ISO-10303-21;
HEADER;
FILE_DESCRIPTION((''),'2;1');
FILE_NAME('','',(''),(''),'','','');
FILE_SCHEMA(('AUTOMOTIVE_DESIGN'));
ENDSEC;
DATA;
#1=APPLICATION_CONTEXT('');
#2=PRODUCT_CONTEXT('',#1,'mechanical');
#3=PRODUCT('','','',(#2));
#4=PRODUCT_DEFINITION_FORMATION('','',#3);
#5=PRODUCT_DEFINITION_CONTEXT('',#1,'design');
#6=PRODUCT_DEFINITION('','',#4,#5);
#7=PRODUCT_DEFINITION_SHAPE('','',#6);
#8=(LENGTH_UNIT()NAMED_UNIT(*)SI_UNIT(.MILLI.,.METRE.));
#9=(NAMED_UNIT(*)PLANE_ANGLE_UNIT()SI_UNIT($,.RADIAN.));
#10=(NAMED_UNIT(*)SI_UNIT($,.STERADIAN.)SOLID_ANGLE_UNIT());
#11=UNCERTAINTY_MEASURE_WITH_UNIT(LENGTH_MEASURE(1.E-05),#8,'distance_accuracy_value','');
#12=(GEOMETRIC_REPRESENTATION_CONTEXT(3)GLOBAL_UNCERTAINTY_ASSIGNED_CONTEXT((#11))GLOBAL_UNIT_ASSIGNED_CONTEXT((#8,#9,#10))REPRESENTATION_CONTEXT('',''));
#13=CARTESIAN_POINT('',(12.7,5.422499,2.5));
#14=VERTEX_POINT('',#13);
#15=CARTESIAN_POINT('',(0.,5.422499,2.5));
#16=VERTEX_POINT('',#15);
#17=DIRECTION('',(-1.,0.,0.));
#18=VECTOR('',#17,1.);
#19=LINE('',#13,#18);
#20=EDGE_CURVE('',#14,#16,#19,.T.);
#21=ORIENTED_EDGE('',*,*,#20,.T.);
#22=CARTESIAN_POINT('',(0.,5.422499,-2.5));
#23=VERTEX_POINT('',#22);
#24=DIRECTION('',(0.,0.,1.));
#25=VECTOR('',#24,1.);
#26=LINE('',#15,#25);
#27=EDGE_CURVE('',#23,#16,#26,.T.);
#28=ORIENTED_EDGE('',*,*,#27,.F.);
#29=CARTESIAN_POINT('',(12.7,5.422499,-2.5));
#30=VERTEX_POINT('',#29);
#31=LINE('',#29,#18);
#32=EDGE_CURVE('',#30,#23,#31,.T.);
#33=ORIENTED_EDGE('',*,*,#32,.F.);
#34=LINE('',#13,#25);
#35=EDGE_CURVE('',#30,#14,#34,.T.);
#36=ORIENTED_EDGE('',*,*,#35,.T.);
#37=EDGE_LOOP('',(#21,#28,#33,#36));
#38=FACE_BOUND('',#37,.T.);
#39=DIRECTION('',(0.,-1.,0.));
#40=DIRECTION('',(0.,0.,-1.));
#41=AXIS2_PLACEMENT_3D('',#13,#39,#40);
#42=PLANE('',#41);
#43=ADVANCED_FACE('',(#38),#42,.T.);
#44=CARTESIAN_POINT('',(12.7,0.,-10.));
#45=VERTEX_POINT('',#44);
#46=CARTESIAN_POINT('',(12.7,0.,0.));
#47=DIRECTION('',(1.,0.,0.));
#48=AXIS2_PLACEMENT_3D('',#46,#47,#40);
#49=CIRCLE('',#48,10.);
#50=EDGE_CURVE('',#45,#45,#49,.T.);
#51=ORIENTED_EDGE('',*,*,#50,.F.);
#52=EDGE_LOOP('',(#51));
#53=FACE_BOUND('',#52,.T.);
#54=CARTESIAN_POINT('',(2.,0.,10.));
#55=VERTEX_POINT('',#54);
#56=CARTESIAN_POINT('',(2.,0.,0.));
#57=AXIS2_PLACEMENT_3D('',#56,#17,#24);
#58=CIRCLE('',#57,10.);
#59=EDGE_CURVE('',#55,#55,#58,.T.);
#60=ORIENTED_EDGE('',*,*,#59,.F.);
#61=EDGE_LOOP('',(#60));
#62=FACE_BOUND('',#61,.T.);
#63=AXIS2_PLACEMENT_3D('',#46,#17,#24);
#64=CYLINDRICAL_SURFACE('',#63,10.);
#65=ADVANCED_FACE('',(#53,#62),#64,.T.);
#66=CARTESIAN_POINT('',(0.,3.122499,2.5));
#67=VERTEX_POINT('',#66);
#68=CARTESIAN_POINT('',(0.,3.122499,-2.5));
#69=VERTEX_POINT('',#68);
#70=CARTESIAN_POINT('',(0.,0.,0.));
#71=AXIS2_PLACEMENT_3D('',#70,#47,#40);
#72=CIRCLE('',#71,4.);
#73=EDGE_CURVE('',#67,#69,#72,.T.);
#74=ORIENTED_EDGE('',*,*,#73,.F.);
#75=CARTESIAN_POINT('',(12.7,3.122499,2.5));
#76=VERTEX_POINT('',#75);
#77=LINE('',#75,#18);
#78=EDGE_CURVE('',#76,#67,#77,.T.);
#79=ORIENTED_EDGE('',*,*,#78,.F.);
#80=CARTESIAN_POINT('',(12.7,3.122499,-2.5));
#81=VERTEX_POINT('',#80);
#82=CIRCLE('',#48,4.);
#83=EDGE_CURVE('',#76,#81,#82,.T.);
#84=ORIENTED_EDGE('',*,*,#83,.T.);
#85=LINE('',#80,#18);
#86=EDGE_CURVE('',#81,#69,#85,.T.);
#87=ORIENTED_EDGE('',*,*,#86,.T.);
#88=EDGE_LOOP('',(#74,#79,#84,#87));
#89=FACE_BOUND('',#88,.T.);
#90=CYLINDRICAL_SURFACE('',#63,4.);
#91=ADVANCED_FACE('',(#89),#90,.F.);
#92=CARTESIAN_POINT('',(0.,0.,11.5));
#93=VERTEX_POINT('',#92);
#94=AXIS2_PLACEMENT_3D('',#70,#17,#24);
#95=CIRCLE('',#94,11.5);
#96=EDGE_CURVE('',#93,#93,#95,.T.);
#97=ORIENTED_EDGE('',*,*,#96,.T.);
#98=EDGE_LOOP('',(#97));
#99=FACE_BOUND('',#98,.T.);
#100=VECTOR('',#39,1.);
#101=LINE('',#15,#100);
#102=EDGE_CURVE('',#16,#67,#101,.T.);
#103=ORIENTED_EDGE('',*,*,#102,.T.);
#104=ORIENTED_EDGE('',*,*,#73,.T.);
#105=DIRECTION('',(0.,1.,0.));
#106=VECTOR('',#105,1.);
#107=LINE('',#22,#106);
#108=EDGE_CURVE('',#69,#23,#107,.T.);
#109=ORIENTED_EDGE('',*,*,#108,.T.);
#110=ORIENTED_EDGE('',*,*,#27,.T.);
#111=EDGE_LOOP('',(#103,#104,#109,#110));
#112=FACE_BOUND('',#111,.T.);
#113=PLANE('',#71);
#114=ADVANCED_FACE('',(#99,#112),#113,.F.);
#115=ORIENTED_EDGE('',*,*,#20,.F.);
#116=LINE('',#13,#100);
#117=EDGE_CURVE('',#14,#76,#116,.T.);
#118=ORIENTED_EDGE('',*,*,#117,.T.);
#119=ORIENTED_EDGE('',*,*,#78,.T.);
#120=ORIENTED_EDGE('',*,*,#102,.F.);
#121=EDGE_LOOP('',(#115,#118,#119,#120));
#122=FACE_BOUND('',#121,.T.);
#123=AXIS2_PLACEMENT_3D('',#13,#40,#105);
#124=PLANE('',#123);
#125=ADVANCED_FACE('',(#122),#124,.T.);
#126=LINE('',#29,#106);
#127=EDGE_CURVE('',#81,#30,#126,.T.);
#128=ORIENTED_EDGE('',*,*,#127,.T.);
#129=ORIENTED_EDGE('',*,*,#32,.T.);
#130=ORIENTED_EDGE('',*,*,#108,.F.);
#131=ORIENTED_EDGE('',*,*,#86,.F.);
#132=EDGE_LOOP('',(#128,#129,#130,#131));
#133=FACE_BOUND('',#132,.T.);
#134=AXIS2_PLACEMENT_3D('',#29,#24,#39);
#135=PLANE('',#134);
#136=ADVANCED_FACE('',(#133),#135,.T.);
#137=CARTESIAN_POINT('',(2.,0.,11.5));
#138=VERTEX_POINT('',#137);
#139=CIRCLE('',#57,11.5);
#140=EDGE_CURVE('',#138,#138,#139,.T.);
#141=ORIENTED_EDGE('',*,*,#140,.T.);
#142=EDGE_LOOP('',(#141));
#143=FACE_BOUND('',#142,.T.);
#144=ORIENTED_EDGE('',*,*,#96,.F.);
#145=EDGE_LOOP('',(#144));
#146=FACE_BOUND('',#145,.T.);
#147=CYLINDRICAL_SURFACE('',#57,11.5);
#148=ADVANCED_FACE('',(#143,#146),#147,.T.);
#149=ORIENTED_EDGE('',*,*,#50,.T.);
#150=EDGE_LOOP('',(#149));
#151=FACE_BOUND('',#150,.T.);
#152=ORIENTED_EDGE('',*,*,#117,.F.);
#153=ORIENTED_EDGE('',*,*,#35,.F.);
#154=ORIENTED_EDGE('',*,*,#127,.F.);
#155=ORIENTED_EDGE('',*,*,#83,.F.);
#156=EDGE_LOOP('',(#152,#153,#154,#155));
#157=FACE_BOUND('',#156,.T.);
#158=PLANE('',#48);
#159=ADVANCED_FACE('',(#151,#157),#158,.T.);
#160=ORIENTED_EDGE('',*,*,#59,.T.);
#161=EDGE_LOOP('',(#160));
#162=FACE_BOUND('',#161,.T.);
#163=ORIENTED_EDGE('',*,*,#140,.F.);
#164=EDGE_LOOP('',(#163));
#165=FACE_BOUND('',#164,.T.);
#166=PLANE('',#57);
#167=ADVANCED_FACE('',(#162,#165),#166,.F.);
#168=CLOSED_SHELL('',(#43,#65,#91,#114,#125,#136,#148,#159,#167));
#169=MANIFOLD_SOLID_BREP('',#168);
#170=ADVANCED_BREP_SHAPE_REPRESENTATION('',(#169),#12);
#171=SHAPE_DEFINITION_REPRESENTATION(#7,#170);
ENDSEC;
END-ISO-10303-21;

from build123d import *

# Parameters (mm, degrees)
SKETCH1_R           = 10
BOSS_EXTRUDE1_DEPTH = 12.7
SKETCH2_R           = 11.5
SKETCH2_R_2         = 10
BOSS_EXTRUDE2_DEPTH = 2


with BuildPart() as part:
    # Sketch1 → Boss-Extrude1 (new body)
    with BuildSketch(Plane(origin=(0, 0, 0), x_dir=(0, 0, -1), z_dir=(1, 0, 0))):
        Circle(SKETCH1_R)
        with BuildLine():
            Line((-2.5, 5.422498999), (2.5, 5.422498999))
            Line((2.5, 5.422498999), (2.5, 3.122498999))
            ThreePointArc((2.5, 3.122498999), (0, -4), (-2.5, 3.122498999))
            Line((-2.5, 3.122498999), (-2.5, 5.422498999))
        make_face(mode=Mode.SUBTRACT)
    extrude(amount=BOSS_EXTRUDE1_DEPTH)

    # Sketch2 → Boss-Extrude2 (add)
    with BuildSketch(Plane.ZY):
        Circle(SKETCH2_R)
        Circle(SKETCH2_R_2, mode=Mode.SUBTRACT)
    extrude(amount=-BOSS_EXTRUDE2_DEPTH)


solid = part.part
